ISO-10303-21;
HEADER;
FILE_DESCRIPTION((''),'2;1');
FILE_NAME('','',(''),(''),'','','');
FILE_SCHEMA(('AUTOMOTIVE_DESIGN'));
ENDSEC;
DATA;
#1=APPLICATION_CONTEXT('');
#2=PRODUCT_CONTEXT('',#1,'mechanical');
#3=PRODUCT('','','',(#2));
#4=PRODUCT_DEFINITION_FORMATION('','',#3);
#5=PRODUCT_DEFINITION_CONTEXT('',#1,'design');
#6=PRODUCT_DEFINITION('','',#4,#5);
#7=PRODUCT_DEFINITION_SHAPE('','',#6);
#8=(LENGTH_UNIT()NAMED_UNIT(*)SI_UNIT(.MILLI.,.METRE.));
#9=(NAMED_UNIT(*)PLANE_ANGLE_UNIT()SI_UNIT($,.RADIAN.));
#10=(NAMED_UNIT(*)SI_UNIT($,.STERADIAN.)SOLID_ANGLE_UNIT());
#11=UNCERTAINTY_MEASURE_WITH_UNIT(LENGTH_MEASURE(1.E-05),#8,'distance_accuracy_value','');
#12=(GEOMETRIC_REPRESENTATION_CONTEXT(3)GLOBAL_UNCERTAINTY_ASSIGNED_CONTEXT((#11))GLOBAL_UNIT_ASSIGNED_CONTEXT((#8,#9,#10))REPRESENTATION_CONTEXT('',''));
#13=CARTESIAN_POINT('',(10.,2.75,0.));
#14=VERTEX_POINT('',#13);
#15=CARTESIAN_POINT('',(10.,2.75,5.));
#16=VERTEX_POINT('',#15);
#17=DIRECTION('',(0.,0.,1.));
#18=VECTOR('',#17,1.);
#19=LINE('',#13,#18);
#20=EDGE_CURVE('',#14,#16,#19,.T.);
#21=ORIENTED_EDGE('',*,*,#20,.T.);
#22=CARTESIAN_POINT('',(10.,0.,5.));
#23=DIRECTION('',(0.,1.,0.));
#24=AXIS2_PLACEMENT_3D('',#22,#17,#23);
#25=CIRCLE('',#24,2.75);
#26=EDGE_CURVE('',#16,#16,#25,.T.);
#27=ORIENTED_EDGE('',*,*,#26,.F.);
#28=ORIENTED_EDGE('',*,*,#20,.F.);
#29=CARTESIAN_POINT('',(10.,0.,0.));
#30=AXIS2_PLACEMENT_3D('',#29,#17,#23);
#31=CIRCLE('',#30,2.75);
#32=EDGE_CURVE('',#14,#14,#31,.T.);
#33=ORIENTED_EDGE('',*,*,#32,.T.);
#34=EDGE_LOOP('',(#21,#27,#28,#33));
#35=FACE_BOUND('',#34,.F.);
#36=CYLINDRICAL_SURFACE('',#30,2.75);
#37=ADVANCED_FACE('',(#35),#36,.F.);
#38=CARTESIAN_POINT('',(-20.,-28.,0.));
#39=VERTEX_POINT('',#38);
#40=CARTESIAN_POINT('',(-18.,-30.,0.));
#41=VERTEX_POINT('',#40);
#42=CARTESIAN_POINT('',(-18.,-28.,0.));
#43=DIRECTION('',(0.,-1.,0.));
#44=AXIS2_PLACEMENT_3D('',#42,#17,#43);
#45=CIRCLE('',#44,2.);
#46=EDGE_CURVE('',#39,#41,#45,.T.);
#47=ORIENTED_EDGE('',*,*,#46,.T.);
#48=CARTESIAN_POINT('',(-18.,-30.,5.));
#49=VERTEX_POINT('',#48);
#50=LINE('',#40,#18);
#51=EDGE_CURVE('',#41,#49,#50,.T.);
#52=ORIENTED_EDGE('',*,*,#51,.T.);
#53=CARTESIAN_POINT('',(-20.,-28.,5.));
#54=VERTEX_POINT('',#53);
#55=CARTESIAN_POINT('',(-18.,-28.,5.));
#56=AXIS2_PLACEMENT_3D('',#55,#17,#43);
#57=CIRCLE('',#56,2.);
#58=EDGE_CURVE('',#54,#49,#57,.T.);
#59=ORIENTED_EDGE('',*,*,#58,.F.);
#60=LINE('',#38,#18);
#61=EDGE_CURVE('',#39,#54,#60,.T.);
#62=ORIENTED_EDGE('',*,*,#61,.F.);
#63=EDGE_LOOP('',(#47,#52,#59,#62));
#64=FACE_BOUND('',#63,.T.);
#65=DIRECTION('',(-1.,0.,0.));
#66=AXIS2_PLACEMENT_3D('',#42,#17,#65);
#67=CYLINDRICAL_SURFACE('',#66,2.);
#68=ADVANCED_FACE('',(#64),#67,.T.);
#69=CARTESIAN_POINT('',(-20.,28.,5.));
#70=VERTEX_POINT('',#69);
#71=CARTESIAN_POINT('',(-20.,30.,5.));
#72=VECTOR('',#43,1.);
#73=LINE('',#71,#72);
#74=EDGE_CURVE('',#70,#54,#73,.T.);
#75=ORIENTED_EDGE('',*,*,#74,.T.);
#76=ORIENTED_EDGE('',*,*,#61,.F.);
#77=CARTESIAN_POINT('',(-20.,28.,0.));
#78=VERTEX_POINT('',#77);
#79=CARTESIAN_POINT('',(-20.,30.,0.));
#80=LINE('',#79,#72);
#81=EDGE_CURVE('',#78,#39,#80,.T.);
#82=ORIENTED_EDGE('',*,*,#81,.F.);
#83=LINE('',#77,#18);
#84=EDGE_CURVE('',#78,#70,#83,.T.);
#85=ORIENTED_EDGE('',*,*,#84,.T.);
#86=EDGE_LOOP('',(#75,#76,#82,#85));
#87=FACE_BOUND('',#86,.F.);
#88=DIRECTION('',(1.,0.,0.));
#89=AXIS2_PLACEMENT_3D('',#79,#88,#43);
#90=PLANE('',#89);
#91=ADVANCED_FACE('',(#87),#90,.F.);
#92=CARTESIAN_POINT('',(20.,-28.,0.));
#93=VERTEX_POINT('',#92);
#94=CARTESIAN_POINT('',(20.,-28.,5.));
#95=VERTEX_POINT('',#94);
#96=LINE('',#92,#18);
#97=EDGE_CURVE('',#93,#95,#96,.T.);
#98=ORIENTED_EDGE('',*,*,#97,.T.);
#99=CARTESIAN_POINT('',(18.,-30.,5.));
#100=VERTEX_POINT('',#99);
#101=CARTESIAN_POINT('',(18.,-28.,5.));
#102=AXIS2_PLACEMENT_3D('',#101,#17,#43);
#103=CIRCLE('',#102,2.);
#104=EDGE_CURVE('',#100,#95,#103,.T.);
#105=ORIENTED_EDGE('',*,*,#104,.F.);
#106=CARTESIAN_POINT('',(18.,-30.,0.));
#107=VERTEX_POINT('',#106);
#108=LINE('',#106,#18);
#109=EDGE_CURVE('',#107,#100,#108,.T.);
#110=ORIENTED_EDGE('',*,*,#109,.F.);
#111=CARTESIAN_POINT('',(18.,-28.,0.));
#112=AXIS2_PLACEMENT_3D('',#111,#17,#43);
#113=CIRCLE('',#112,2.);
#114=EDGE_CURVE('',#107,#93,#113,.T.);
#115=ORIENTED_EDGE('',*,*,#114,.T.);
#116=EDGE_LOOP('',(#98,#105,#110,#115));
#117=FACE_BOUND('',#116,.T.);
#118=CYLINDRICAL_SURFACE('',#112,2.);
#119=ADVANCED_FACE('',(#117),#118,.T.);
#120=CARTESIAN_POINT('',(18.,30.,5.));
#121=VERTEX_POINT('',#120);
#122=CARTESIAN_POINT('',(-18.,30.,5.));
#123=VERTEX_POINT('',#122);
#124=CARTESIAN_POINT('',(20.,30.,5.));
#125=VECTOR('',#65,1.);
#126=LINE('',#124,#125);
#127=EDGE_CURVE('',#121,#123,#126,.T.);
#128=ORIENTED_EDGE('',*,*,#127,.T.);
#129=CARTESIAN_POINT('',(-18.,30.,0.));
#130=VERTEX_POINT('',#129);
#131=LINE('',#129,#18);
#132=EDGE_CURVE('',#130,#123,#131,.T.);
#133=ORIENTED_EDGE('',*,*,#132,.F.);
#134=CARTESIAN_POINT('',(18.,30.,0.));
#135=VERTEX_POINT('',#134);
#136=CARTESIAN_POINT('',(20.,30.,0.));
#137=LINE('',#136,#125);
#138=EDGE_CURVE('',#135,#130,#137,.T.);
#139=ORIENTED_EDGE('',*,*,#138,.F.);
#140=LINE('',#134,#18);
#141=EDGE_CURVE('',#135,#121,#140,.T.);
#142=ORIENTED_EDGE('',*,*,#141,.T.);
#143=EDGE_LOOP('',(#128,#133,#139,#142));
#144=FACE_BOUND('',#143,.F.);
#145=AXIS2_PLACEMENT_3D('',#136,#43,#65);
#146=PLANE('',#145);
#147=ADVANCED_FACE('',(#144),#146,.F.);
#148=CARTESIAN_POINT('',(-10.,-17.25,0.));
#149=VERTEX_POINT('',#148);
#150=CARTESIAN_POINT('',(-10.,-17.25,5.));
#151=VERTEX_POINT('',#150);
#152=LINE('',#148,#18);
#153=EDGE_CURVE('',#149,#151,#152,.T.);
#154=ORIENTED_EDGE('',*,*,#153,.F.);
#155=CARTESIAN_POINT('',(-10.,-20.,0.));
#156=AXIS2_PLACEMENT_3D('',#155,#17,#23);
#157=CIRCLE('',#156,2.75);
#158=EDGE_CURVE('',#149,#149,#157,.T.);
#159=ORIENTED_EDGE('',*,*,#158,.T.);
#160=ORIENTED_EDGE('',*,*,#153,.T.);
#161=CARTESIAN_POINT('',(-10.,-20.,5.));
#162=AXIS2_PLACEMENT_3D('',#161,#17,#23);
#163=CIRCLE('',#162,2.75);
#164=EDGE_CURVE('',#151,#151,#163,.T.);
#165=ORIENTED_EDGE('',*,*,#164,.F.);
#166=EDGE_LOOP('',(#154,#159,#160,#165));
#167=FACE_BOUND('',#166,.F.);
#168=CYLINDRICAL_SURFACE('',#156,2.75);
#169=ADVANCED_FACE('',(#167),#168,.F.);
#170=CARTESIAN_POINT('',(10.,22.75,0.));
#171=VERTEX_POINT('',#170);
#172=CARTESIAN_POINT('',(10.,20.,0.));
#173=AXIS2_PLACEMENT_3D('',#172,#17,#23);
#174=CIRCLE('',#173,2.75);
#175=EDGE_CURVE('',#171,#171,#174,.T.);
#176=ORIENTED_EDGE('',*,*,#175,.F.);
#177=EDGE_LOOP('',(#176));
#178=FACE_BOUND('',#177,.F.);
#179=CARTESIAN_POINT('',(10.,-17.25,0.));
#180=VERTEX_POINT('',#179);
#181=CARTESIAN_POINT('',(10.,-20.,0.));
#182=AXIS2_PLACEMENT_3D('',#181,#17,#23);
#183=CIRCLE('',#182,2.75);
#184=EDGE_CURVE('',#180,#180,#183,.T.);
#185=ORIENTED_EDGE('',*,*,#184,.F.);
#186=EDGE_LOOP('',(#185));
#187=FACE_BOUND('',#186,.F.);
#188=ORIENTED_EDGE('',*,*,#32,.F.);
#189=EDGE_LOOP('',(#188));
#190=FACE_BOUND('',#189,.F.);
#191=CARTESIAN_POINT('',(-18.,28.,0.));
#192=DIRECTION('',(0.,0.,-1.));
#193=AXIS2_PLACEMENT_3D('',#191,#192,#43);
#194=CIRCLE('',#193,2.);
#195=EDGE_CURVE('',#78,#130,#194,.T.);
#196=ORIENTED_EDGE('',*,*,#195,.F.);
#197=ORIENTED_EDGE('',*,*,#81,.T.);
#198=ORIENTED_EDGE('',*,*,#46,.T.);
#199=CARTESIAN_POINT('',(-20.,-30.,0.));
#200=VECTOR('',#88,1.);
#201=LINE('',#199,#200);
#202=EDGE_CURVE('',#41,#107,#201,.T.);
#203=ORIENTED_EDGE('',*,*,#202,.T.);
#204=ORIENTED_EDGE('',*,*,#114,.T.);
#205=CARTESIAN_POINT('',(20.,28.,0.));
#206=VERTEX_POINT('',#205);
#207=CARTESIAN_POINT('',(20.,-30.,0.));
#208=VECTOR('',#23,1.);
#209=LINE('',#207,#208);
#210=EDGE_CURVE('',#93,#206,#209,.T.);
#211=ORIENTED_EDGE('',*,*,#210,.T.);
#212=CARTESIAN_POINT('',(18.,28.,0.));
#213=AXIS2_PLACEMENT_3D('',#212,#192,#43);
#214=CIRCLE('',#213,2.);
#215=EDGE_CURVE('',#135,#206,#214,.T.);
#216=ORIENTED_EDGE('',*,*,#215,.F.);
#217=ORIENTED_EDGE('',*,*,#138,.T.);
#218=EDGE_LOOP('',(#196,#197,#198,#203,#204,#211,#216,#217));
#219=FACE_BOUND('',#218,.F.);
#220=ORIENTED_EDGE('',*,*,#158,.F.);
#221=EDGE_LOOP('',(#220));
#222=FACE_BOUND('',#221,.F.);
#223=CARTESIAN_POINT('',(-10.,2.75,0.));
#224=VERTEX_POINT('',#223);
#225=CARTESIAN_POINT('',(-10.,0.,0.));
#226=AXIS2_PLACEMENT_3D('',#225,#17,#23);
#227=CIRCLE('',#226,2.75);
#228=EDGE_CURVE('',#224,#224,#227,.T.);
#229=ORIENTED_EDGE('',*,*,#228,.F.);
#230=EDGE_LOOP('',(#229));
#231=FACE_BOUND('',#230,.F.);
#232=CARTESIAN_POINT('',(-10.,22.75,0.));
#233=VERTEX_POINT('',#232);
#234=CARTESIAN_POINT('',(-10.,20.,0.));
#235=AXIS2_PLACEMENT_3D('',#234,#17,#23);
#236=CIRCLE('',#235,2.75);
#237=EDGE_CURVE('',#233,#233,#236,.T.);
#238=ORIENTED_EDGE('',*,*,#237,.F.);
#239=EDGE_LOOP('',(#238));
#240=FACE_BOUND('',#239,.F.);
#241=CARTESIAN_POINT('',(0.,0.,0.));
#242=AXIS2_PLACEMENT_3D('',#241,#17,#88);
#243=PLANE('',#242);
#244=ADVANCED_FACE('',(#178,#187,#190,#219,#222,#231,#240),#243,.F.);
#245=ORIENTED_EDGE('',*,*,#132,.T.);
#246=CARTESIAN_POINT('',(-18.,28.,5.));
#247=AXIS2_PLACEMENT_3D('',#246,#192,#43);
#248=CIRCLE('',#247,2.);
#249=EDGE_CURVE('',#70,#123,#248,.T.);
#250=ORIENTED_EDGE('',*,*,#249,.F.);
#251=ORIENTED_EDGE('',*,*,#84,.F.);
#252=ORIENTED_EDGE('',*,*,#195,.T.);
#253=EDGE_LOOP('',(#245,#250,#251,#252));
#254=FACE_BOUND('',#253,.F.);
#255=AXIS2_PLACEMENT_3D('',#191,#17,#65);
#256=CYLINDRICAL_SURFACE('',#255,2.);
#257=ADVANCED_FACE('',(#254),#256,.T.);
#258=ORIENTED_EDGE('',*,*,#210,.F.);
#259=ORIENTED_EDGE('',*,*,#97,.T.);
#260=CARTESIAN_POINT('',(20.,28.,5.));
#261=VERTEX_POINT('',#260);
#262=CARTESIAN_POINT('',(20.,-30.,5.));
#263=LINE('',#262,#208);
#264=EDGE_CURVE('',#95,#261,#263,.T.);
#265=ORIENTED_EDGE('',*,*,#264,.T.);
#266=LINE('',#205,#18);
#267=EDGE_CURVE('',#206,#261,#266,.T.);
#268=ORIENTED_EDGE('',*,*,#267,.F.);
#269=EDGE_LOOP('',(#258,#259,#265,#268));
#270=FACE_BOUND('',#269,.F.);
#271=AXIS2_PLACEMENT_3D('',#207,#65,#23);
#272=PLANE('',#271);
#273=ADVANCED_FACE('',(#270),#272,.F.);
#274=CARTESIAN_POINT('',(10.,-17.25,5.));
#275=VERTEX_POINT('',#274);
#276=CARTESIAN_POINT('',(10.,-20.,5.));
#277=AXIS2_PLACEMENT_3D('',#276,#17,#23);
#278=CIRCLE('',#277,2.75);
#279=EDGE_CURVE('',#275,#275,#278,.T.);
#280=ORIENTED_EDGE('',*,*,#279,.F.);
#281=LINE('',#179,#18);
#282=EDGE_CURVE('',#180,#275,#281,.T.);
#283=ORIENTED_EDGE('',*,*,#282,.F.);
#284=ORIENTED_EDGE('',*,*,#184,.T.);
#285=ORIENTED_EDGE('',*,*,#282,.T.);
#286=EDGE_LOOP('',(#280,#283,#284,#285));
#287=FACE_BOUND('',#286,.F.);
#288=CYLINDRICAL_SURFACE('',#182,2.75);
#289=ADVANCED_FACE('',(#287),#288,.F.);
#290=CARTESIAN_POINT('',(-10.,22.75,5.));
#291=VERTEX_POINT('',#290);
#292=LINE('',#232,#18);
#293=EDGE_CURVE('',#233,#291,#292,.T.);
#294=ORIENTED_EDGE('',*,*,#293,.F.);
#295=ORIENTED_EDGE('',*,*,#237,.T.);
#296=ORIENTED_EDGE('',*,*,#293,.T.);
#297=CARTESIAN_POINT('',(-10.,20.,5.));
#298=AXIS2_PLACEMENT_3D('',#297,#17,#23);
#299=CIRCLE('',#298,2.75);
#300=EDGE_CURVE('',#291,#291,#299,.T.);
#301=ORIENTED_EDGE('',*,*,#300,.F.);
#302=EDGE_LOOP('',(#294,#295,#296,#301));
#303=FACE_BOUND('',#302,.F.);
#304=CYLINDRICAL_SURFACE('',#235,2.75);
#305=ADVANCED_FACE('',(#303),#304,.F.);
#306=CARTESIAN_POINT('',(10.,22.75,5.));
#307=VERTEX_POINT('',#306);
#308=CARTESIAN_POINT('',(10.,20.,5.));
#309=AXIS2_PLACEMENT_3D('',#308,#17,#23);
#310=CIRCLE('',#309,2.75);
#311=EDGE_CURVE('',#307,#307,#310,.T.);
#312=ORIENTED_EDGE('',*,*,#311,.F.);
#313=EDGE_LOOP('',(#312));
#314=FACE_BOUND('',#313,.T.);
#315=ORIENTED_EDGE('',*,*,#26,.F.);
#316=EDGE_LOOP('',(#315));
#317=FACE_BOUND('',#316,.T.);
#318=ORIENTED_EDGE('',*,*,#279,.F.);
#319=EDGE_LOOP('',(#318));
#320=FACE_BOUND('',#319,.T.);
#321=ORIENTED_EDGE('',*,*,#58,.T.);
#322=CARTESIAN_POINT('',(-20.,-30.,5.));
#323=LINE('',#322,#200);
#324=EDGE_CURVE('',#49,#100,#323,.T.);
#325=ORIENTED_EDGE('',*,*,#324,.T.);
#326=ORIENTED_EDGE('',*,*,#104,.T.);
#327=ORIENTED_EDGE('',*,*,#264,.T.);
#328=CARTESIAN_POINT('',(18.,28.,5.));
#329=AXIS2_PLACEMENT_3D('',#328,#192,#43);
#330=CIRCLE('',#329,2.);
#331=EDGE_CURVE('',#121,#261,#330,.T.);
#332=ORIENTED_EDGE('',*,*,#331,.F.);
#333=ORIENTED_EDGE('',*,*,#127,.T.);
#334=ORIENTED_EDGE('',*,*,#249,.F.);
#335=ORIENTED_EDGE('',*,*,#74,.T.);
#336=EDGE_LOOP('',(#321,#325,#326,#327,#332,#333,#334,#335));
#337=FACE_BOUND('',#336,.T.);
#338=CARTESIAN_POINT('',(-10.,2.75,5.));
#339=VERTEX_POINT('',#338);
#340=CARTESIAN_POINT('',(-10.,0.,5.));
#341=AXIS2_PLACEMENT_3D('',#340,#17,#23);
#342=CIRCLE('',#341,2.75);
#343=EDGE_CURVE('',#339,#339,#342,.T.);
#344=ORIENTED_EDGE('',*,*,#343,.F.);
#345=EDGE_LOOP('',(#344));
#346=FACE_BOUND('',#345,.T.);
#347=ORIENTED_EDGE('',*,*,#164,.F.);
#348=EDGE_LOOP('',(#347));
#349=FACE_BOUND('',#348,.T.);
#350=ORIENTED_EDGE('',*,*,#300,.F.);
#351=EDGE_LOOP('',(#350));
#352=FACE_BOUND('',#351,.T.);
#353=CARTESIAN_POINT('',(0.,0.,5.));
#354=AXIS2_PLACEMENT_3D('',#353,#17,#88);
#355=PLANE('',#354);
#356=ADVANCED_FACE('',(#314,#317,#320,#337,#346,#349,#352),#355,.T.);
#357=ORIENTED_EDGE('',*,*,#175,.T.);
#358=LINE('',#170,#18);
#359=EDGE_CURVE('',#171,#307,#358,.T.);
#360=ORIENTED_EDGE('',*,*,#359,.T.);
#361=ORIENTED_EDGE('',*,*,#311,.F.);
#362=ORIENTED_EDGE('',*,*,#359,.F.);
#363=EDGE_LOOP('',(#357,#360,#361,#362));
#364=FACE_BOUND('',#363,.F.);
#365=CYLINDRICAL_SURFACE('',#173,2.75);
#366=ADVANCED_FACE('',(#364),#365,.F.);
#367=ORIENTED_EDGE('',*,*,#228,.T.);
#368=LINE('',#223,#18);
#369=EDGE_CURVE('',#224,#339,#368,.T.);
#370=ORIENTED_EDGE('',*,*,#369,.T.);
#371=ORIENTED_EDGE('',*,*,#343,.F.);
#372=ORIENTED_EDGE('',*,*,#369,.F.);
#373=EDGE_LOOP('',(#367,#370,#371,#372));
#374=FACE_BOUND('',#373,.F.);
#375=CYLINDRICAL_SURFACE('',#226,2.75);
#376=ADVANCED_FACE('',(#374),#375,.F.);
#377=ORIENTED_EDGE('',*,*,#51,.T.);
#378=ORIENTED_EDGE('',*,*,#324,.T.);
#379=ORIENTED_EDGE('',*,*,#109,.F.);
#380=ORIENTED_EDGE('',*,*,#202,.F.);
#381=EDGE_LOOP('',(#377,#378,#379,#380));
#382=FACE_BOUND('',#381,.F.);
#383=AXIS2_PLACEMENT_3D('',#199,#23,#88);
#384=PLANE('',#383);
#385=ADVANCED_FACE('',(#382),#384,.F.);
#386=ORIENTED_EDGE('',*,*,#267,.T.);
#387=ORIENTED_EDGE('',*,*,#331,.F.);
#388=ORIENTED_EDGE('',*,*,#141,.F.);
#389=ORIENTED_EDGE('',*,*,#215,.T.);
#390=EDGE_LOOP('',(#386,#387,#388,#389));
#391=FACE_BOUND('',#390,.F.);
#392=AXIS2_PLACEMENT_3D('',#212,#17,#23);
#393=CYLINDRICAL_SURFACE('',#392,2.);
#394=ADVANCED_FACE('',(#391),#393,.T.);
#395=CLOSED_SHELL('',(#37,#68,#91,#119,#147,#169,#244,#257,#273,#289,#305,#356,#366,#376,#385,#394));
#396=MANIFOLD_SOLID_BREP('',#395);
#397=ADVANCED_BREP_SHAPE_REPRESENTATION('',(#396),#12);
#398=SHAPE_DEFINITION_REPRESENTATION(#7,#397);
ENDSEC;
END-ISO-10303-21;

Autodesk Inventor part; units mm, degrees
ref_plane "YZ Plane" through (0, 0, 0) normal (1, 0, 0) x (0, 1, 0)
ref_plane "XZ Plane" through (0, 0, 0) normal (0, 1, 0) x (-1, 0, 0)
ref_plane "XY Plane" through (0, 0, 0) normal (0, 0, 1) x (1, 0, 0)
sketch "Sketch2" plane through (0, 0, 0) normal (0, 0, 1) x (1, 0, 0)
  line L0 (-20, -30) -> (20, -30)
  line L1 (20, -30) -> (20, 30)
  line L2 (20, 30) -> (-20, 30)
  line L3 (-20, 30) -> (-20, -30)
  line L4 (-20, -30) -> (20, 30) construction
  line L5 (20, -30) -> (-20, 30) construction
  line L6 (-10, 20) -> (10, 20) construction
  line L7 (10, 20) -> (10, 0) construction
  line L8 (10, 0) -> (10, -20) construction
  line L9 (10, -20) -> (-10, -20) construction
  line L10 (-10, -20) -> (-10, 0) construction
  line L11 (-10, 0) -> (10, 0) construction
  line L12 (-10, 20) -> (-10, 0) construction
  point P0 (0, 0)
  dimension "d0" = 40
  dimension "d1" = 60
  dimension "d2" = 20
  dimension "d3" = 20
extrude "Extrusion1" add sketch "Sketch2" along normal blind 5
hole "Hole1" at (-10, 20, 0) at (-10, 0, 0) at (-10, -20, 0) at (10, -20, 0) at (10, 0, 0) at (10, 20, 0) direction (0, 0, 1) diameter 5.5 end through all clearance for "Flat Head Machine Screw" size "M5" standard "Ansi Metric M Profile"
fillet "Fillet1" radius 2 4 edges at (-20, 30, 2.5) (20, 30, 2.5) (-20, -30, 2.5) (20, -30, 2.5)
properties part number "4060Rect"
